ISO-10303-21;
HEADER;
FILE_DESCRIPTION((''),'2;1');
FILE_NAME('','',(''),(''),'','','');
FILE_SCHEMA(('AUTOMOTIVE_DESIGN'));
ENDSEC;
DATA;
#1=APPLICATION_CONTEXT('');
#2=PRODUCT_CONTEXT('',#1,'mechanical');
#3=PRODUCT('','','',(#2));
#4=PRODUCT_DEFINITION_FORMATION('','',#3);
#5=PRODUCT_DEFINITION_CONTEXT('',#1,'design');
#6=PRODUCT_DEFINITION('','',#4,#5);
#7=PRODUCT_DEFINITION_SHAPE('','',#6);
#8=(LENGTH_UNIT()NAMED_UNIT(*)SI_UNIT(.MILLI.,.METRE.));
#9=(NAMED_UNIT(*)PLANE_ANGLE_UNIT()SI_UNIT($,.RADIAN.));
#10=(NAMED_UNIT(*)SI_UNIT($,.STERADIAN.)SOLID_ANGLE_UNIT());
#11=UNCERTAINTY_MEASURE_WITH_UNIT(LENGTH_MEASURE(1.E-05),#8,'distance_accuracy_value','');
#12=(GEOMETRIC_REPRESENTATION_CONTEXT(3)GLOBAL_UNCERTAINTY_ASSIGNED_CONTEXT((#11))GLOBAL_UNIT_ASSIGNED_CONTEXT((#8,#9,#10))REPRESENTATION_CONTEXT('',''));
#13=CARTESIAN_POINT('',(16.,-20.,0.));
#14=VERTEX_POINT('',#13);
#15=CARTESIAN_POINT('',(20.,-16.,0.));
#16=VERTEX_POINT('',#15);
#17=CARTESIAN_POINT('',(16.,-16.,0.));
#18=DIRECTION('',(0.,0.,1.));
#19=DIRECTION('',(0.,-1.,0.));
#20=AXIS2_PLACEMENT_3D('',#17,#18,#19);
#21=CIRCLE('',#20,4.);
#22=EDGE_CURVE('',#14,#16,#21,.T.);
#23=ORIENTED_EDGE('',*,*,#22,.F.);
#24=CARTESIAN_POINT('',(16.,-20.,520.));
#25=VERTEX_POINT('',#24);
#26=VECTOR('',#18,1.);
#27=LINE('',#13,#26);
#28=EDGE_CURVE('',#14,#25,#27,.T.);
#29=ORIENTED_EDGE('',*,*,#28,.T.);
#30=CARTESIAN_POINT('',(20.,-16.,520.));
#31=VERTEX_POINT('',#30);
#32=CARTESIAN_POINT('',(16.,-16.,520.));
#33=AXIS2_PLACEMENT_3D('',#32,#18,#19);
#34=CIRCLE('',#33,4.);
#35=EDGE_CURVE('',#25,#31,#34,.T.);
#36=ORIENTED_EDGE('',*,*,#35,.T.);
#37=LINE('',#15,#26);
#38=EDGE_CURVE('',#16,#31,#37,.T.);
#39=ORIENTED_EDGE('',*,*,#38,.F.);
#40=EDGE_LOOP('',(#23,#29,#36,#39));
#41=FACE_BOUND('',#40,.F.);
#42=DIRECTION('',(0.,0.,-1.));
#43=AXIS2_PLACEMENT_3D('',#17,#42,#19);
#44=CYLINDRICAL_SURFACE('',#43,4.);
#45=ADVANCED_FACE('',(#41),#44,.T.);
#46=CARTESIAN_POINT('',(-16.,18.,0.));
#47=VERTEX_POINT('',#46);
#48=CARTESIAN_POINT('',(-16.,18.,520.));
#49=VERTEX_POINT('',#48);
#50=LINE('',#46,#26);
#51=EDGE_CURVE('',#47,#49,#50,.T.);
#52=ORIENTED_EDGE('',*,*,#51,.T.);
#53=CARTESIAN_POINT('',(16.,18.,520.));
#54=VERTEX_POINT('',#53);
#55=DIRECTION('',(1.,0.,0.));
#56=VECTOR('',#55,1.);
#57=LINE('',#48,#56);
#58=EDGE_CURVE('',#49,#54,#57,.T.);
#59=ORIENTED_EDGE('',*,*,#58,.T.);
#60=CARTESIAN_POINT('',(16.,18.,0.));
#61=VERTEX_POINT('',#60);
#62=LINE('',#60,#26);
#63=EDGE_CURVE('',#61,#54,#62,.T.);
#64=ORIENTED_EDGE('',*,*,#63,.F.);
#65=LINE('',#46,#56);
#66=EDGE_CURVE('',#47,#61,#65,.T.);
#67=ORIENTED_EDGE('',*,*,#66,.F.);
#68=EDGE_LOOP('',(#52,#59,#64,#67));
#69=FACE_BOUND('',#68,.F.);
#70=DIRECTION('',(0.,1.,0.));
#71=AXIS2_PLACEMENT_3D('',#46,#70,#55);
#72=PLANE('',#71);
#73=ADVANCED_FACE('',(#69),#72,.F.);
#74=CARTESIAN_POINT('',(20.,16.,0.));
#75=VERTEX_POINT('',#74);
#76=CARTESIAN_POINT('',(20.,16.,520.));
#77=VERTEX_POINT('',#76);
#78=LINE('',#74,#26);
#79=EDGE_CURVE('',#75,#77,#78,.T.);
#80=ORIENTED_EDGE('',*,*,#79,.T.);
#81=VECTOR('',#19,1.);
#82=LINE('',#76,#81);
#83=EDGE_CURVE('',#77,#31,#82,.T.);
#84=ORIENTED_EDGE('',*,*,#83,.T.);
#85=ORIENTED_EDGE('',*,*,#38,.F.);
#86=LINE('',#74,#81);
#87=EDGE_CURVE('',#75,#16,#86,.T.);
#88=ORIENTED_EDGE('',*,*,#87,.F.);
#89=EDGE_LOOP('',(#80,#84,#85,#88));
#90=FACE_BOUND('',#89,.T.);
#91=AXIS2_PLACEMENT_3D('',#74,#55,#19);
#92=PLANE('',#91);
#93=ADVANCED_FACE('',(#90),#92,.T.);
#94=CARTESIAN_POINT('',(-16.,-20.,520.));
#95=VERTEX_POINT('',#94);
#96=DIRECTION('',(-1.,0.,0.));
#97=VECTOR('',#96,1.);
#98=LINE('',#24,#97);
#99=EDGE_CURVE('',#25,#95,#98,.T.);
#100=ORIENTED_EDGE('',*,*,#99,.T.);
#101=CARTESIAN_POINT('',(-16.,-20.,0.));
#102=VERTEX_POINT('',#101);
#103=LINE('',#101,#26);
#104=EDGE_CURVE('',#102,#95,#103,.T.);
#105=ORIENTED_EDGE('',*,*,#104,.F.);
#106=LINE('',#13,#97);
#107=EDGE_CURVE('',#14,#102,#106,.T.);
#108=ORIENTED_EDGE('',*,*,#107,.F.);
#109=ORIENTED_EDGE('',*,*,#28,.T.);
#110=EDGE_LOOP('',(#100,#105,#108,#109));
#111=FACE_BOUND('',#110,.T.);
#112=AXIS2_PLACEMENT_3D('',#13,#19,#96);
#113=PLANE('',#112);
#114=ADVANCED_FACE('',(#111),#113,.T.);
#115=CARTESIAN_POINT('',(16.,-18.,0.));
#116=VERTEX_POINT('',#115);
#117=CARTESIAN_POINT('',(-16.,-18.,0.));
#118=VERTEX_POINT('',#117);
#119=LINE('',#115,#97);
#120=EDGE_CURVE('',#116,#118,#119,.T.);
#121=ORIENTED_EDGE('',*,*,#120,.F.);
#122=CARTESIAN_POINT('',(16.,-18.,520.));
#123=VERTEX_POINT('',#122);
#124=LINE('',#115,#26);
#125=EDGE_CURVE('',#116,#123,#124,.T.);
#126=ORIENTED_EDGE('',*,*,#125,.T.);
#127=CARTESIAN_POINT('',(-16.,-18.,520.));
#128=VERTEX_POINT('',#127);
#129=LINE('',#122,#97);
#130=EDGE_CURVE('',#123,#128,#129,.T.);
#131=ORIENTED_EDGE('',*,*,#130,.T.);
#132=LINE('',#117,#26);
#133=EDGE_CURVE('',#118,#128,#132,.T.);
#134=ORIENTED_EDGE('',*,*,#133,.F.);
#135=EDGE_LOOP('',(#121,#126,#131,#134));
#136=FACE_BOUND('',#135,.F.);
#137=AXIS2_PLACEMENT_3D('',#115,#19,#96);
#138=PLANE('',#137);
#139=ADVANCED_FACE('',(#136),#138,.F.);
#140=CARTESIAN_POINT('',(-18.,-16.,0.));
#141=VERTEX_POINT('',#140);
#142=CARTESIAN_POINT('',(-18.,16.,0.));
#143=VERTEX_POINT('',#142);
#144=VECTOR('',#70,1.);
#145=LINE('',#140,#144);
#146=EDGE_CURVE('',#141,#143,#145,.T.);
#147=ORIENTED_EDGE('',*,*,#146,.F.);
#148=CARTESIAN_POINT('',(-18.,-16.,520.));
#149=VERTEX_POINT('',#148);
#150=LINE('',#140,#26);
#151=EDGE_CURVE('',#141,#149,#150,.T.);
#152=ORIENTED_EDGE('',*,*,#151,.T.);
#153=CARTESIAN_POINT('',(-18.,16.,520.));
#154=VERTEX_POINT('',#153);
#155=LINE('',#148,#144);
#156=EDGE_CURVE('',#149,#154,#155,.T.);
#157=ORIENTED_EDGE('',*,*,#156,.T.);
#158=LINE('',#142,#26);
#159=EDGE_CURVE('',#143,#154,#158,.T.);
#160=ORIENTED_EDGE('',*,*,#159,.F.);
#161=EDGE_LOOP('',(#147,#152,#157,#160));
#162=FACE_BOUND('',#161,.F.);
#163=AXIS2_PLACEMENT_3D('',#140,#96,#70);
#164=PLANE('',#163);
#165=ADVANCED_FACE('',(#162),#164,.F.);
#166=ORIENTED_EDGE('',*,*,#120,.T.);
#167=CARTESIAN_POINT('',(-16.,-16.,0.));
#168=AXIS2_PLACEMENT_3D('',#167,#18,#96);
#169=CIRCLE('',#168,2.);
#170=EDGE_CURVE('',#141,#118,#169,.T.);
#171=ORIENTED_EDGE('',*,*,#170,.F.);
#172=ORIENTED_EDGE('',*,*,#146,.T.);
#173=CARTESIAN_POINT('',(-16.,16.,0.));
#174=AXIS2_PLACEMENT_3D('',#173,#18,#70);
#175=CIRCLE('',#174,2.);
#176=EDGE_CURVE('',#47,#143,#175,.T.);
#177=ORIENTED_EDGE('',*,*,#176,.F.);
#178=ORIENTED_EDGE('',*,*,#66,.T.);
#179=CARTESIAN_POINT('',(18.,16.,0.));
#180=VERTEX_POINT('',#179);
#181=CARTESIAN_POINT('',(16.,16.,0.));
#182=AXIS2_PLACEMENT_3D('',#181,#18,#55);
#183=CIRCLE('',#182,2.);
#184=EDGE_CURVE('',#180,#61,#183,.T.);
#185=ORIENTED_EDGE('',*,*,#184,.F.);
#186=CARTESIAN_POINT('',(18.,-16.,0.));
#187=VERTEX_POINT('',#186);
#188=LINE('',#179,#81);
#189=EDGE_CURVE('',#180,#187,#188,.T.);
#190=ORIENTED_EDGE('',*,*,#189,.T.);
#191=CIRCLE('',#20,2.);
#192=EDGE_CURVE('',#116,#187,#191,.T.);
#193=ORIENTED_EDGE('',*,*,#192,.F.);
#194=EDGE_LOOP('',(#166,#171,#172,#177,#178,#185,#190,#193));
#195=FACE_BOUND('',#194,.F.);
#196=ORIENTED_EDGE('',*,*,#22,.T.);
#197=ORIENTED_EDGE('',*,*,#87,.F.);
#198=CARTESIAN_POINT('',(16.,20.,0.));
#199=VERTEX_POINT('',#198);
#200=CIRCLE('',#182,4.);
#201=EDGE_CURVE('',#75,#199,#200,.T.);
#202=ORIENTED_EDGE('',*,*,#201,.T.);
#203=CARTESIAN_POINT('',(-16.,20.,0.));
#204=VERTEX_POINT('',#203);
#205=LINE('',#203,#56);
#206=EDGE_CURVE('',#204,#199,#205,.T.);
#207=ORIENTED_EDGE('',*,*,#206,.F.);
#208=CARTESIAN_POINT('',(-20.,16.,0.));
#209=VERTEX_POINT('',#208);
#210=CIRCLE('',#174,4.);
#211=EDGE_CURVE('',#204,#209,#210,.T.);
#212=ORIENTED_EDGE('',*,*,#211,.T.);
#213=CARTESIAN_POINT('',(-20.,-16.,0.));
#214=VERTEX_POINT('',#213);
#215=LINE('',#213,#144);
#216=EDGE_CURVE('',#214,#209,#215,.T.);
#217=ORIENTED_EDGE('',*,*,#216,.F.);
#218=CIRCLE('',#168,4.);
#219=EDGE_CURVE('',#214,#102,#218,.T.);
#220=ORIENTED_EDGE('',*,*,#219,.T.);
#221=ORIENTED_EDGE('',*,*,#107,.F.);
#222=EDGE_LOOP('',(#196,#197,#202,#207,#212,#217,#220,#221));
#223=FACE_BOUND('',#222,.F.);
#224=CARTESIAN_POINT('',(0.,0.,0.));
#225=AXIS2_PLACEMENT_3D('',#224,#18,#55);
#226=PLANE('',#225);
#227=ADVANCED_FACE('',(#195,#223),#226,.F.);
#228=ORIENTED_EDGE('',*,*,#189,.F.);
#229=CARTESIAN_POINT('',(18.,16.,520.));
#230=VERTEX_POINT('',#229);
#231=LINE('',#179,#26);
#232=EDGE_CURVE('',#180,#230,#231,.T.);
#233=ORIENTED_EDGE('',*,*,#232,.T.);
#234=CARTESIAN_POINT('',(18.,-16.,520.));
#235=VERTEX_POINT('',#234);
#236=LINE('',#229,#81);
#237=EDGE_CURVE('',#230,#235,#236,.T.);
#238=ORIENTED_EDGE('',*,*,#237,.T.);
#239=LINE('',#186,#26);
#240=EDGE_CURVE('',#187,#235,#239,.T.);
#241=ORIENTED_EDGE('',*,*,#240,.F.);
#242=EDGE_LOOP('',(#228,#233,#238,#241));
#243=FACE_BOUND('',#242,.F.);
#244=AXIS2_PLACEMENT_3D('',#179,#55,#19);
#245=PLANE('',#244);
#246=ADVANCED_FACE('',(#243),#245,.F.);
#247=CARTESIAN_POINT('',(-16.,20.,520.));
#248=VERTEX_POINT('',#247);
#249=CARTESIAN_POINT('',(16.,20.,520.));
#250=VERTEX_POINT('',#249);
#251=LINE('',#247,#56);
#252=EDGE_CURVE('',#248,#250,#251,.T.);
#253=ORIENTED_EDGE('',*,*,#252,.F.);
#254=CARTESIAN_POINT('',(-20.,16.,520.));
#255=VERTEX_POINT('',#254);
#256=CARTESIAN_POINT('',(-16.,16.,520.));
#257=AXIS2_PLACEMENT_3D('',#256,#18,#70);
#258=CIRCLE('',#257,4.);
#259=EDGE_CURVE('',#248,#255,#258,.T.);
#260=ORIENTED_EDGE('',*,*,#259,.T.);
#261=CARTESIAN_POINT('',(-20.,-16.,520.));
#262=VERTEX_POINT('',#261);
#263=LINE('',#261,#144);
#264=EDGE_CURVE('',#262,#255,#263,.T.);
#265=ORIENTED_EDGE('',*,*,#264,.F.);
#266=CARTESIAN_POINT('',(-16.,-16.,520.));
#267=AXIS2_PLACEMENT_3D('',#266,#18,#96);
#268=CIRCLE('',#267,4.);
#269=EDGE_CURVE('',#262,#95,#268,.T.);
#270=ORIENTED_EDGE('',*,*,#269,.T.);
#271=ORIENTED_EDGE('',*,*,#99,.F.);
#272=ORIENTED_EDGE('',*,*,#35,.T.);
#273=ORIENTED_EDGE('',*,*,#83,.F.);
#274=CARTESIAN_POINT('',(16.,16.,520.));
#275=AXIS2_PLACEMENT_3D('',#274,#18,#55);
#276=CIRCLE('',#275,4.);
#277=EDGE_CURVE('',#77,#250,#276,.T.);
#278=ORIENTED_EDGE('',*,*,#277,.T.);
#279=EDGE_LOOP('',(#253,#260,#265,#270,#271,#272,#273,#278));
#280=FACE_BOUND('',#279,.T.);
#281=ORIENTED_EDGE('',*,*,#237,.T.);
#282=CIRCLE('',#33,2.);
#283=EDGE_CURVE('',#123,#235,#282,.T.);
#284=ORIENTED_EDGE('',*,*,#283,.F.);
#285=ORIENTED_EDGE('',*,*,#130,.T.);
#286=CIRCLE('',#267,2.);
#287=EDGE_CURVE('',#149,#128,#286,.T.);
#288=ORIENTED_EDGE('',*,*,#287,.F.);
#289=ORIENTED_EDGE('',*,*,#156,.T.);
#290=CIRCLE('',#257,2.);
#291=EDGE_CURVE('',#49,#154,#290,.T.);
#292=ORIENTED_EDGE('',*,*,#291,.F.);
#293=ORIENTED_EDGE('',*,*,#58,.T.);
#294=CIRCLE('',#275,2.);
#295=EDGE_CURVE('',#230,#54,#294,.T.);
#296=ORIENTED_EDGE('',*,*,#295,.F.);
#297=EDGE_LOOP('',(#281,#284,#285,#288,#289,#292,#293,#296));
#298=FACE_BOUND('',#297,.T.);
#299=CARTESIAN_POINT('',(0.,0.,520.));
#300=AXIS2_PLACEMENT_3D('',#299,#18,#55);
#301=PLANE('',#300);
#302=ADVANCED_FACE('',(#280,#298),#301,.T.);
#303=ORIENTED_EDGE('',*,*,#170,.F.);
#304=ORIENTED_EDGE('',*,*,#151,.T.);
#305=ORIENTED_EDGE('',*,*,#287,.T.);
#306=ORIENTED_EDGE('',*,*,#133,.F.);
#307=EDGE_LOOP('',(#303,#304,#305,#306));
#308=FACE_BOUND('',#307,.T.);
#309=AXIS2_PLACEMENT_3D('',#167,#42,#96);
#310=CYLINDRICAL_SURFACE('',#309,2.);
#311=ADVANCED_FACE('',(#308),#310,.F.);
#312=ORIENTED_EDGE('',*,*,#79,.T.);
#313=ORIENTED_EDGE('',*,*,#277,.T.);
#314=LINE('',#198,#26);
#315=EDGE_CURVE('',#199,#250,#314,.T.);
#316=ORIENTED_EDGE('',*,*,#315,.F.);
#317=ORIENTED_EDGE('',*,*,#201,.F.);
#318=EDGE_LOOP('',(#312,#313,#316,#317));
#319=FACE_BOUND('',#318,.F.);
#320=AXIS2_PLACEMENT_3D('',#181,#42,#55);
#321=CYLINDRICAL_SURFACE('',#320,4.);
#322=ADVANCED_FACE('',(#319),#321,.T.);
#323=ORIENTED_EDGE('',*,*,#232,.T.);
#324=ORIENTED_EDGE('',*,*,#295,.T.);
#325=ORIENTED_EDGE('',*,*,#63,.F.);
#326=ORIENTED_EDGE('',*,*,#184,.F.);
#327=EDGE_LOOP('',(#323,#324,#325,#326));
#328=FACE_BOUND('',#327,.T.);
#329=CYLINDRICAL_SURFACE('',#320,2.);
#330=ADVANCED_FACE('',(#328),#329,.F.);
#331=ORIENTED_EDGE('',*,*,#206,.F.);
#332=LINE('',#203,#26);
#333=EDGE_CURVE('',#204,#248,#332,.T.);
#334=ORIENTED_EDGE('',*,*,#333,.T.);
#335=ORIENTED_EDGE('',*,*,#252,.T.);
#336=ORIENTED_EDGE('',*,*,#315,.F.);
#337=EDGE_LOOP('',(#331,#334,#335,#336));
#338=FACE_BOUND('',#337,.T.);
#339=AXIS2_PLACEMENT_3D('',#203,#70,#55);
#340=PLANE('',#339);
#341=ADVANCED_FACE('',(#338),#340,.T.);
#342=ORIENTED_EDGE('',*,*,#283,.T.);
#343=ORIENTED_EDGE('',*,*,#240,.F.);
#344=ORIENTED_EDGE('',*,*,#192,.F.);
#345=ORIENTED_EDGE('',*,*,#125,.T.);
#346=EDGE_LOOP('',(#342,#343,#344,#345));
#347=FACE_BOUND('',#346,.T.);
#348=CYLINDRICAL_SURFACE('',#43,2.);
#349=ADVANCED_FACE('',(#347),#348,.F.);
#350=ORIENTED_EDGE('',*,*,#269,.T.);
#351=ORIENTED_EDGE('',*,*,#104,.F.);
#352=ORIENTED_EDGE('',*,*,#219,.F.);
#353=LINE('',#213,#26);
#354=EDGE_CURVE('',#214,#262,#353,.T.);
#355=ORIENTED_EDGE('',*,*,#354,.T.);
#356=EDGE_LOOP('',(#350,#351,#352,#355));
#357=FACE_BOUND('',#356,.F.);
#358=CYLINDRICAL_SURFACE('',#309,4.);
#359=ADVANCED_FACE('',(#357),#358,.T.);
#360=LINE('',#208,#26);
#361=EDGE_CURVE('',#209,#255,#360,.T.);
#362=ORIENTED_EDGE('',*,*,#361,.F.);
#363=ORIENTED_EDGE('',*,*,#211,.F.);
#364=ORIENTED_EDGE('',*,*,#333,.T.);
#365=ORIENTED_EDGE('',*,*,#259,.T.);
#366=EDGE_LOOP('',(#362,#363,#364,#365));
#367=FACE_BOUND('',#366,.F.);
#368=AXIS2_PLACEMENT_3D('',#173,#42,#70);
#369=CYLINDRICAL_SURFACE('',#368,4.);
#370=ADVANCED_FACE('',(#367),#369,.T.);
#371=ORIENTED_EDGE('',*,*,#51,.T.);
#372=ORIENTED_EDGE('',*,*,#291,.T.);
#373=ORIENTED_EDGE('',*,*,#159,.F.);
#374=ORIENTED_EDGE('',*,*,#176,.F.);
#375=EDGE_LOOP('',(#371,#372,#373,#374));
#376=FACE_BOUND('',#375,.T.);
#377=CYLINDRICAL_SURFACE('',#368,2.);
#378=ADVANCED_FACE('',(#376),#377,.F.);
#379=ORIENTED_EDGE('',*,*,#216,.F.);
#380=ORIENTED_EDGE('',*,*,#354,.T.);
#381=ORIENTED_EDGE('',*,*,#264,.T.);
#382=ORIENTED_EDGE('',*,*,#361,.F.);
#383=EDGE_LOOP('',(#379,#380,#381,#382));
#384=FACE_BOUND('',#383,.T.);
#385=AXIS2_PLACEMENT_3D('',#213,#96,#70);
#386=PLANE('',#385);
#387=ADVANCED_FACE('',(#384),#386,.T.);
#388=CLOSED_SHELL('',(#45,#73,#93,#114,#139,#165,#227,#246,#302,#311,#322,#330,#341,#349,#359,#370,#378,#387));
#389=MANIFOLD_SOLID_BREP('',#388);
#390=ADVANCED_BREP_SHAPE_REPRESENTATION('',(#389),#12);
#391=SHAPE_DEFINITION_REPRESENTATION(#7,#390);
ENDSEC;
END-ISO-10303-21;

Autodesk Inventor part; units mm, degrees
ref_plane "YZ Plane" through (0, 0, 0) normal (1, 0, 0) x (0, 1, 0)
ref_plane "Start Plane" through (0, 0, 0) normal (0, 0, 1) x (1, 0, 0)
ref_plane "End Plane" through (0, 0, 520) normal (0, 0, 1) x (1, 0, 0)
sketch "Sketch" plane through (0, 0, 0) normal (0, 0, 1) x (1, 0, 0)
  line L0 (-20, -16) -> (-20, 16)
  line L1 (-16, 20) -> (16, 20)
  line L2 (20, 16) -> (20, -16)
  line L3 (16, -20) -> (-16, -20)
  arc A0 (-20, -16) -> (-16, -20) centre (-16, -16) ccw
  arc A1 (20, 16) -> (16, 20) centre (16, 16) ccw
  arc A2 (-16, 20) -> (-20, 16) centre (-16, 16) ccw
  arc A3 (16, -20) -> (20, -16) centre (16, -16) ccw
  arc A4 (-16, 18) -> (-18, 16) centre (-16, 16) ccw
  line L4 (-16, 18) -> (16, 18)
  arc A5 (18, 16) -> (16, 18) centre (16, 16) ccw
  line L5 (18, 16) -> (18, -16)
  arc A6 (16, -18) -> (18, -16) centre (16, -16) ccw
  line L6 (16, -18) -> (-16, -18)
  arc A7 (-18, -16) -> (-16, -18) centre (-16, -16) ccw
  line L7 (-18, -16) -> (-18, 16)
  line L8 (0, 29.1598) -> (0, -29.1598) construction
  line L9 (-29.1598, 0) -> (29.1598, 0) construction
  dimension "d7" = 4
  dimension "d9" = 40
  dimension "d11" = 40
  dimension "d12" = 2
  dimension "d15" = 20
  dimension "d16" = 20
extrude "Body" add sketch "Sketch" along normal up to surface (520 mm away) from surface at 0
sketch "Sketch3" plane through (0, 0, 0) normal (0, 0, 1) x (1, 0, 0)
  line L0 (0, 0) -> (10, 0)
ref_plane "Work Plane3" through (0, 0, 0) normal (0, -1, 0) x (1, 0, 0)
sketch "Sketch4" plane through (0, 0, 0) normal (0, -1, 0) x (1, 0, 0)
  line L0 (-2, 0) -> (12, 0) projected
  line L1 (-2, 520) -> (12, 520) projected
  dimension "d18" = 520
equation "\"d7\" = G_IR"
equation "\"d9\" = G_W"
equation "\"d11\" = G_H"
equation "\"d12\" = G_T"
equation "\"d15\" = 0.5 * d9"
equation "\"d16\" = 0.5 * d11"
equation "\"d3\" = G_L"
equation "\"G_W\" = 40"
equation "\"G_H\" = 40"
equation "\"G_T\" = 2"
equation "\"G_IR\" = 4"
equation "\"G_L\" = d18"
equation "\"G_OFFSET_START\" = 0"
equation "\"G_OFFSET_END\" = -6"
equation "\"B_L\" = 526"
properties part number "ISO 10799-2 - 40x40x2 - 520" material "Stainless Steel"
